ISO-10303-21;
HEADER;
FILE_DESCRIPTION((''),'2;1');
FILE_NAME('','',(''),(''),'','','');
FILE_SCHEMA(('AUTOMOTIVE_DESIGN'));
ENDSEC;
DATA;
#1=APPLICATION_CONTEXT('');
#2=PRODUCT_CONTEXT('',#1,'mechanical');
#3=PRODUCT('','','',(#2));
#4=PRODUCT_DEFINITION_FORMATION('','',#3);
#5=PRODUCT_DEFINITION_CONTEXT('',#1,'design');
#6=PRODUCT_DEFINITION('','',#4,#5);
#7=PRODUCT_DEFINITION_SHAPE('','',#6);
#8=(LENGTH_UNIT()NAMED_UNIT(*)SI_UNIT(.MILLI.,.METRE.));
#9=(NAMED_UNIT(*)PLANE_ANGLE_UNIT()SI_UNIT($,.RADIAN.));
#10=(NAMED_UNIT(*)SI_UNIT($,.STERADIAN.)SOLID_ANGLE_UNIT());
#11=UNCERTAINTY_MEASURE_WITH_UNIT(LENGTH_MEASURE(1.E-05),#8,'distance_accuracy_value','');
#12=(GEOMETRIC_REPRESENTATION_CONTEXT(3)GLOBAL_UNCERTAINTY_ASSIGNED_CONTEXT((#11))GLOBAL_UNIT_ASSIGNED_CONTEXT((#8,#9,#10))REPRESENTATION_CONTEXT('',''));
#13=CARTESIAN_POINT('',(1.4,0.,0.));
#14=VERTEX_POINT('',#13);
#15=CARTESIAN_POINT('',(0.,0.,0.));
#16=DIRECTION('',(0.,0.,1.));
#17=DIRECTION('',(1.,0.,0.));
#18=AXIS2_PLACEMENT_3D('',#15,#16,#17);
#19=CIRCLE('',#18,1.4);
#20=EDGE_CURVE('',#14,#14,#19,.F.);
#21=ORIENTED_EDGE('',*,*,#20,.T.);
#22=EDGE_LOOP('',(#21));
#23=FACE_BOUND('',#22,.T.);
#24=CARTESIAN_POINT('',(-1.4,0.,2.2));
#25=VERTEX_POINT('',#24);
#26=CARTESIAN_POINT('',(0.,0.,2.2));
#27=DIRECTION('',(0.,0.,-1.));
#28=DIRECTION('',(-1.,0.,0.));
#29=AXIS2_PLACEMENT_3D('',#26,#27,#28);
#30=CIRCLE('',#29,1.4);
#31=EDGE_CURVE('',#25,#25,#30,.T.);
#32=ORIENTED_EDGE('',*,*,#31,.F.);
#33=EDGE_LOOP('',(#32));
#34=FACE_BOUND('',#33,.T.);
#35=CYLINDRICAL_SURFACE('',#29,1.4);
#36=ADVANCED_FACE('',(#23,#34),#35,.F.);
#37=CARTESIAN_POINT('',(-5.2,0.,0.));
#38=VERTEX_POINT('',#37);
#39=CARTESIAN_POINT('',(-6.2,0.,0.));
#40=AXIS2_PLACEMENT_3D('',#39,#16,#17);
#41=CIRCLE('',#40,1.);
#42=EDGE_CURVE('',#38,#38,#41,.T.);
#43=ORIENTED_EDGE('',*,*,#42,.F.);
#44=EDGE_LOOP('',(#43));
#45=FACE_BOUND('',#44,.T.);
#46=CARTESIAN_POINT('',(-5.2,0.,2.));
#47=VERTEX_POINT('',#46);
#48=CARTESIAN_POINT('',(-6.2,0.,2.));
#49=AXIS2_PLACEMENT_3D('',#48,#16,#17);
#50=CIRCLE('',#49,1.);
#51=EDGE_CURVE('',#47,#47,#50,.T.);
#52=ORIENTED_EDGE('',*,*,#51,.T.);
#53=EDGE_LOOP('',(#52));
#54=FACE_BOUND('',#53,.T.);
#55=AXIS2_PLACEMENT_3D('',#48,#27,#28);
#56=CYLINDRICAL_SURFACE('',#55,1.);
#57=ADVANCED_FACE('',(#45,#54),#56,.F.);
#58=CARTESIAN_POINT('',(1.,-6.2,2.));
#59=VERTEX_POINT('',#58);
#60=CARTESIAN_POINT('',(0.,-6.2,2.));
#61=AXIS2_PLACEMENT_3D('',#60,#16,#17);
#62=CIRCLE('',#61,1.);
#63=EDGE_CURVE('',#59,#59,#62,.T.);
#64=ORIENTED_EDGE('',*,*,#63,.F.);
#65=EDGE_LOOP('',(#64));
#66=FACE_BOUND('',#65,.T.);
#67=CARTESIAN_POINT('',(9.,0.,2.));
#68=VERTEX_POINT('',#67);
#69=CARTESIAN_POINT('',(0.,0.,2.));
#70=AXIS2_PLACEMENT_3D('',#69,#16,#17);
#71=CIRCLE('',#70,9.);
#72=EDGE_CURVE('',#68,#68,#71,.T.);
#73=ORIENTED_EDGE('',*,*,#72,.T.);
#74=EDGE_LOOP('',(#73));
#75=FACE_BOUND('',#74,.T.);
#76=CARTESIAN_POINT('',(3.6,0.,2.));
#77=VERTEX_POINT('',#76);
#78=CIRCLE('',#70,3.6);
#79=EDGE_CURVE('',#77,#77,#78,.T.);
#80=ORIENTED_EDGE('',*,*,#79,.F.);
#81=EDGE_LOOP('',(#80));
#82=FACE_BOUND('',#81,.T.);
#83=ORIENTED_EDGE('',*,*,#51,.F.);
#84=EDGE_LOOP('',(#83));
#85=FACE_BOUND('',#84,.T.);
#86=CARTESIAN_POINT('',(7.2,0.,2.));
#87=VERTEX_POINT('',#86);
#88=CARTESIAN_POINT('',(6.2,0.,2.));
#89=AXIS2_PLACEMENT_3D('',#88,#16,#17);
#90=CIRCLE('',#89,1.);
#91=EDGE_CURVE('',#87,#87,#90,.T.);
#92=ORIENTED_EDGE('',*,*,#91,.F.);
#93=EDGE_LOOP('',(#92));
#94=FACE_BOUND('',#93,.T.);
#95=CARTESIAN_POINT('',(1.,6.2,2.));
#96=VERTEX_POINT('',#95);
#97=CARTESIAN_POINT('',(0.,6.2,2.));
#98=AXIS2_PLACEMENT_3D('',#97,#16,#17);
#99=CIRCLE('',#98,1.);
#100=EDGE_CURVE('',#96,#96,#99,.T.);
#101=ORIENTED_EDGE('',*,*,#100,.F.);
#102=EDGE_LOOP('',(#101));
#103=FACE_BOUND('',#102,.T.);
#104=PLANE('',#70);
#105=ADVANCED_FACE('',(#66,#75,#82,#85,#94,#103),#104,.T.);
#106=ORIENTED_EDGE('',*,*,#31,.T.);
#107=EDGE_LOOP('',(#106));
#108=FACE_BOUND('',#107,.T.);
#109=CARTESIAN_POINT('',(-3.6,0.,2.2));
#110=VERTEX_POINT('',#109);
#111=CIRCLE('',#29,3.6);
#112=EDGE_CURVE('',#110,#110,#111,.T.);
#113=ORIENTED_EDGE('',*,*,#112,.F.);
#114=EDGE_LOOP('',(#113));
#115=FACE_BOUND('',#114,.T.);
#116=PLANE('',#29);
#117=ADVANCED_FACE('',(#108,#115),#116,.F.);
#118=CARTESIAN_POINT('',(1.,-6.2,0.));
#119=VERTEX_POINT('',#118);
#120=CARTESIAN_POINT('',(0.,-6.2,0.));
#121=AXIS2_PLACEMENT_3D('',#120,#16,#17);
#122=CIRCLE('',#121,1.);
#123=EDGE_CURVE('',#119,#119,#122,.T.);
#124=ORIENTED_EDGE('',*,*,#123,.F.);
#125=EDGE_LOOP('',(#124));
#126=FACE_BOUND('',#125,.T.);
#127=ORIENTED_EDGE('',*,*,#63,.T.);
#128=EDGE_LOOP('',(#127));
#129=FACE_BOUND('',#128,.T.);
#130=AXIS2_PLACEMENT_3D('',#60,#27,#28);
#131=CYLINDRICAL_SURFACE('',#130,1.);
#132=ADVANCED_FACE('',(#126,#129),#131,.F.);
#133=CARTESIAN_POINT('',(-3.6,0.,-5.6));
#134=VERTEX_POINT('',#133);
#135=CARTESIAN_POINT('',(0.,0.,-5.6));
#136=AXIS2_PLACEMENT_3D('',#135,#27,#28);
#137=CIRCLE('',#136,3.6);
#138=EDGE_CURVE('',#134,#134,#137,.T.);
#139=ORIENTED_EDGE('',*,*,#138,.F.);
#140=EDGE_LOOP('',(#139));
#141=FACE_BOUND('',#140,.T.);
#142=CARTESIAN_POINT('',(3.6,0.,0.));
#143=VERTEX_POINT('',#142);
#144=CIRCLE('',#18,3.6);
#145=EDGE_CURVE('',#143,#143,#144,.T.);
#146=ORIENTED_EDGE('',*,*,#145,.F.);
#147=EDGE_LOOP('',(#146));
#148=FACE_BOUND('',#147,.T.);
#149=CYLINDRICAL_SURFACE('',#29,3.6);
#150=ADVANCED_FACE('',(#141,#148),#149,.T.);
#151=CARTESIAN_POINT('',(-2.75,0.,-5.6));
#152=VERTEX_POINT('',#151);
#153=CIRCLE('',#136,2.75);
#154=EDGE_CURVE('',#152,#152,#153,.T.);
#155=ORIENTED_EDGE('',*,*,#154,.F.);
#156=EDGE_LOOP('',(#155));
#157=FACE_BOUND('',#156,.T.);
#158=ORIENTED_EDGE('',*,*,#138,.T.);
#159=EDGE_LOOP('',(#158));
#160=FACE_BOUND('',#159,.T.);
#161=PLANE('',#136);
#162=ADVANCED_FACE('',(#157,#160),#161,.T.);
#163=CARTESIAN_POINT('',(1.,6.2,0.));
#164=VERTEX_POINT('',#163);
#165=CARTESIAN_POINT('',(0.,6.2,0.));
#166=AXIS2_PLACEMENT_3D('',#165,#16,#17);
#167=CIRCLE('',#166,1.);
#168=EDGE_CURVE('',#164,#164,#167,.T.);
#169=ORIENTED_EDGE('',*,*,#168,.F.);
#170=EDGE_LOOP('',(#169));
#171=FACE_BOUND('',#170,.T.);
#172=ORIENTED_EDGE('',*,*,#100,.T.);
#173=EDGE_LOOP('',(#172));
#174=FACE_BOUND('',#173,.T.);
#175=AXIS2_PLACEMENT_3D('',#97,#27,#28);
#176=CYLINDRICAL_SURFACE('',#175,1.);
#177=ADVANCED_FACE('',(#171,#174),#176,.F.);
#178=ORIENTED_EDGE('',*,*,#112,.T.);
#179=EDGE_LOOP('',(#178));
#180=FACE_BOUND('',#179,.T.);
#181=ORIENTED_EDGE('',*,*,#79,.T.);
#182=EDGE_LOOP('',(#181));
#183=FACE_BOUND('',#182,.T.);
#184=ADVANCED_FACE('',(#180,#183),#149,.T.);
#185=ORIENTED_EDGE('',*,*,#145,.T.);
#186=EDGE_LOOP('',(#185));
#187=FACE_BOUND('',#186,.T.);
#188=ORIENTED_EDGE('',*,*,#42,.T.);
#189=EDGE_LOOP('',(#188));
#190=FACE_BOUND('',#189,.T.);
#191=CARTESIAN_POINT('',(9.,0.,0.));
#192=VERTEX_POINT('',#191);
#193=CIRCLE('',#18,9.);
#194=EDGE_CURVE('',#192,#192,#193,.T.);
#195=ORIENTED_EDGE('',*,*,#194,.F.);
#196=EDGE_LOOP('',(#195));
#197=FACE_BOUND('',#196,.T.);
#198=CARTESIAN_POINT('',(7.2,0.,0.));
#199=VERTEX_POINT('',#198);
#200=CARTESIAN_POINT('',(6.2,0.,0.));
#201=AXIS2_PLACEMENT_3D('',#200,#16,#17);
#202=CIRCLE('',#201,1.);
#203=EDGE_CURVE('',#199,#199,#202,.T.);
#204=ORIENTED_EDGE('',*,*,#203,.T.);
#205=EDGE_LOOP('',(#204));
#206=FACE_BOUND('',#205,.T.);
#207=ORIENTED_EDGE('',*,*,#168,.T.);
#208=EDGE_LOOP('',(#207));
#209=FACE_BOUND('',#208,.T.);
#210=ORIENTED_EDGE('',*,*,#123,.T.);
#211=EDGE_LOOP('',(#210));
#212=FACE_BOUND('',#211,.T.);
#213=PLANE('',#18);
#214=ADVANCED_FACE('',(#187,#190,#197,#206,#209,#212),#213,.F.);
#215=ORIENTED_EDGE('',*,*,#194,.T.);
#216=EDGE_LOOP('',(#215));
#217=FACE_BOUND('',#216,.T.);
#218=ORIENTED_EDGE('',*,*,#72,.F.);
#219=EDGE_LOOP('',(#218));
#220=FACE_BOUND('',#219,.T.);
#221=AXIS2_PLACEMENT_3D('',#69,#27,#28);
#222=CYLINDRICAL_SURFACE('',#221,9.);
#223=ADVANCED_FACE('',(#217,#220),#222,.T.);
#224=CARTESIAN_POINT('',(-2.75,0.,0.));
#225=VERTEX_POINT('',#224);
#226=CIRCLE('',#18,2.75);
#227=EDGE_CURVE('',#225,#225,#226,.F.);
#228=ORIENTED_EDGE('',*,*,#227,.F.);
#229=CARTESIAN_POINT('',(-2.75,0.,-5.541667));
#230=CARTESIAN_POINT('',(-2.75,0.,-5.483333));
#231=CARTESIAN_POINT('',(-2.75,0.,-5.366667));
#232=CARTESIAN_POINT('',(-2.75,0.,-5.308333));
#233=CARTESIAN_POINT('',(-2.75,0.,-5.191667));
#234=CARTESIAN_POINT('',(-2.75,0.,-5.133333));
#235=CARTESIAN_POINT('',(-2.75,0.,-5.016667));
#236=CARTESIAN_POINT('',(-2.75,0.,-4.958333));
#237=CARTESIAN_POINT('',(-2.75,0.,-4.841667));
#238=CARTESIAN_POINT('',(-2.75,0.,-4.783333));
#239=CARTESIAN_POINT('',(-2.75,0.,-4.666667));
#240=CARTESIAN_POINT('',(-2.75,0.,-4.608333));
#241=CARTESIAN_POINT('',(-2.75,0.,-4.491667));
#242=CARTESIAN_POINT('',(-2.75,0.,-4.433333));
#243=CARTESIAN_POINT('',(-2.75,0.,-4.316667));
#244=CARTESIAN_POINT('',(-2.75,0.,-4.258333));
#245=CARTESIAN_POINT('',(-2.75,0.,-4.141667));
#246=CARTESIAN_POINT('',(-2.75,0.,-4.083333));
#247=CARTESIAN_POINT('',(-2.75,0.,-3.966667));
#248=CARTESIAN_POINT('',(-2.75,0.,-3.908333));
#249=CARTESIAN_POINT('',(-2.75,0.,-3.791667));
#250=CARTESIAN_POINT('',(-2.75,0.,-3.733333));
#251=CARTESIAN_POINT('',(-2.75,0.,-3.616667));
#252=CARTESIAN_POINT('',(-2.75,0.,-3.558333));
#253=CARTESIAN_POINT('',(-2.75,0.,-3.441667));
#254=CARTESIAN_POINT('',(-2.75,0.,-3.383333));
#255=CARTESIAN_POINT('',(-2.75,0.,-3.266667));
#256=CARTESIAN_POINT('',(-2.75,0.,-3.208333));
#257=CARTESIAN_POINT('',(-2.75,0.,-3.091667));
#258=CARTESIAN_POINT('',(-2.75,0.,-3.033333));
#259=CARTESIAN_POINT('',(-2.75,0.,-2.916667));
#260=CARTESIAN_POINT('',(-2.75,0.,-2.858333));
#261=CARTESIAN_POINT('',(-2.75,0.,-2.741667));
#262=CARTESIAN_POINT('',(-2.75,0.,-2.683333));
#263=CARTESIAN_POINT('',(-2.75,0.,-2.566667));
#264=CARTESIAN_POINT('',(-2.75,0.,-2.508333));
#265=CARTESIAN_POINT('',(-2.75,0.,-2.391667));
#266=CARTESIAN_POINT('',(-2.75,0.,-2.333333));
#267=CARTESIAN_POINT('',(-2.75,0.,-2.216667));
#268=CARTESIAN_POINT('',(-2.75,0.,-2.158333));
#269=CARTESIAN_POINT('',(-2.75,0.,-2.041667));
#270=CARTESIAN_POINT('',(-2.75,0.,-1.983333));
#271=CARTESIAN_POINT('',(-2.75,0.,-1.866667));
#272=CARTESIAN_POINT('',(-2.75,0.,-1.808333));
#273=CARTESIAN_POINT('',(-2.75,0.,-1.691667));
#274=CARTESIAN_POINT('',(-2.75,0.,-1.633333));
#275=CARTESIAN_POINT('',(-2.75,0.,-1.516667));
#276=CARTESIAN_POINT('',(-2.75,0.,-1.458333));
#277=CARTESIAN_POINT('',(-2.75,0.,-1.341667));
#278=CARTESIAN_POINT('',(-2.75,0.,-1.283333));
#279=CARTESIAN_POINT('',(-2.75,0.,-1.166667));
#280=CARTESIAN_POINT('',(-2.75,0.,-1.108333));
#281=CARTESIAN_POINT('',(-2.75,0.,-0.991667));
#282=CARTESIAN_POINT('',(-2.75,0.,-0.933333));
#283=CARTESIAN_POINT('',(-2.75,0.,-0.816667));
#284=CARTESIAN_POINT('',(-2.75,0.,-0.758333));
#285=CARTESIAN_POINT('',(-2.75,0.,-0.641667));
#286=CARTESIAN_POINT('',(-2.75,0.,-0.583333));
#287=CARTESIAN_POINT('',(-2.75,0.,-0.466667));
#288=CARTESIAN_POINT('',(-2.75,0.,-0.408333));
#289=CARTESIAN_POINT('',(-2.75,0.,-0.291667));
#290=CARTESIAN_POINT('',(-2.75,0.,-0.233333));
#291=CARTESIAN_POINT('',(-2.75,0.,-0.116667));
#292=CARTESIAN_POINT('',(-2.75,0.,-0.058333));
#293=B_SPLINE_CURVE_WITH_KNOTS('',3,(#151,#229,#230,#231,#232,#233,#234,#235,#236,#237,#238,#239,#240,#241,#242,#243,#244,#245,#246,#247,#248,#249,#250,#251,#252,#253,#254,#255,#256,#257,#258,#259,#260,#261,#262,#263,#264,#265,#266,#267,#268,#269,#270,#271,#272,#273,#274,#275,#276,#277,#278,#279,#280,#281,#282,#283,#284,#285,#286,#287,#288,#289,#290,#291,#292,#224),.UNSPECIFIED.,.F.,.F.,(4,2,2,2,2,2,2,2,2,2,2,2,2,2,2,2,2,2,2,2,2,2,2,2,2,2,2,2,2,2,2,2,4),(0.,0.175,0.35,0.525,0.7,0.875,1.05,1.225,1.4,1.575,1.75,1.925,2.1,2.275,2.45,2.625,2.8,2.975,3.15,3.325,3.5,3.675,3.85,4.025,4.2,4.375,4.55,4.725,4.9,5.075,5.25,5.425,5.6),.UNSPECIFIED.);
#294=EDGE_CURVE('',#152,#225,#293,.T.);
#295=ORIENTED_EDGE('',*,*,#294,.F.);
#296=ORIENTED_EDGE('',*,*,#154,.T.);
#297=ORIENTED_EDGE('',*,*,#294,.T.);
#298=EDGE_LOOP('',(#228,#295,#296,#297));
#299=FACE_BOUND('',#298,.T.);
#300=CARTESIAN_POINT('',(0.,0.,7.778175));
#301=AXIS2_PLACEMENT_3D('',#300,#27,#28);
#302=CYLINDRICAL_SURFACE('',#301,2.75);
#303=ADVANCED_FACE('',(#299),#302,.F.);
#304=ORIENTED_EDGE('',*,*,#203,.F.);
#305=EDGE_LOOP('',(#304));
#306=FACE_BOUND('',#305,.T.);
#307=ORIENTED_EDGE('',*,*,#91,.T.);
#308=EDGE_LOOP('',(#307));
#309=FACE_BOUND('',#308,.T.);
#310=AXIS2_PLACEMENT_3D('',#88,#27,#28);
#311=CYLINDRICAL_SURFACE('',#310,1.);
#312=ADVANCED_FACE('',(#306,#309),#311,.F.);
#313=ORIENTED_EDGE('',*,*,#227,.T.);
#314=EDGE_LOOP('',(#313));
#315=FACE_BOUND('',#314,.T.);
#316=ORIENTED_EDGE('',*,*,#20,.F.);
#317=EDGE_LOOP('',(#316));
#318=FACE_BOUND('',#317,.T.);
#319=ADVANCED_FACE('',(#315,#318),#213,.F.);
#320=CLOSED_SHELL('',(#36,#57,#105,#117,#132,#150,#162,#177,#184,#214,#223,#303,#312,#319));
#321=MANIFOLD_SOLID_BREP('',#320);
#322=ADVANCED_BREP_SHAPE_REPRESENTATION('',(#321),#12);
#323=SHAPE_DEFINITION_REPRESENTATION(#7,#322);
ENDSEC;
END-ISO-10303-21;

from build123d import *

# Parameters (mm, degrees)
SKETCH1_R                = 9
SKETCH1_R_2              = 3.4
SKETCH1_R_3              = 1
BOSS_EXTRUDE1_DEPTH      = 2
BOSS_EXTRUDE2_DEPTH      = 5.6
BOSS_EXTRUDE2_DEPTH_BACK = 2.2
SKETCH2_R                = 3.6
SKETCH2_R_2              = 1.4
SKETCH3_R                = 2.75
CUT_EXTRUDE1_DEPTH       = 5.6


with BuildPart() as part:
    # Sketch1 → Boss-Extrude1 (new body)
    with BuildSketch(Plane.XY):
        Circle(SKETCH1_R)
        Circle(SKETCH1_R_2, mode=Mode.SUBTRACT)
        with Locations((0, 6.2)):
            Circle(SKETCH1_R_3, mode=Mode.SUBTRACT)
        with Locations((6.2, 0)):
            Circle(SKETCH1_R_3, mode=Mode.SUBTRACT)
        with Locations((0, -6.2)):
            Circle(SKETCH1_R_3, mode=Mode.SUBTRACT)
        with Locations((-6.2, 0)):
            Circle(SKETCH1_R_3, mode=Mode.SUBTRACT)
    extrude(amount=BOSS_EXTRUDE1_DEPTH)

    # Sketch2 → Boss-Extrude2 (add, two sides: drawn at the far end of the back side and taken through both)
    with BuildSketch(Plane(origin=(0, 0, 0), x_dir=(-1, 0, 0), z_dir=(0, 0, -1)).offset(-BOSS_EXTRUDE2_DEPTH_BACK)):
        Circle(SKETCH2_R)
        Circle(SKETCH2_R_2, mode=Mode.SUBTRACT)
    extrude(amount=BOSS_EXTRUDE2_DEPTH + BOSS_EXTRUDE2_DEPTH_BACK)

    # Sketch3 → Cut-Extrude1 (cut)
    with BuildSketch(Plane(origin=(0, 0, -5.6), x_dir=(-1, 0, 0), z_dir=(0, 0, -1))):
        Circle(SKETCH3_R)
    extrude(amount=-CUT_EXTRUDE1_DEPTH, mode=Mode.SUBTRACT)


solid = part.part
